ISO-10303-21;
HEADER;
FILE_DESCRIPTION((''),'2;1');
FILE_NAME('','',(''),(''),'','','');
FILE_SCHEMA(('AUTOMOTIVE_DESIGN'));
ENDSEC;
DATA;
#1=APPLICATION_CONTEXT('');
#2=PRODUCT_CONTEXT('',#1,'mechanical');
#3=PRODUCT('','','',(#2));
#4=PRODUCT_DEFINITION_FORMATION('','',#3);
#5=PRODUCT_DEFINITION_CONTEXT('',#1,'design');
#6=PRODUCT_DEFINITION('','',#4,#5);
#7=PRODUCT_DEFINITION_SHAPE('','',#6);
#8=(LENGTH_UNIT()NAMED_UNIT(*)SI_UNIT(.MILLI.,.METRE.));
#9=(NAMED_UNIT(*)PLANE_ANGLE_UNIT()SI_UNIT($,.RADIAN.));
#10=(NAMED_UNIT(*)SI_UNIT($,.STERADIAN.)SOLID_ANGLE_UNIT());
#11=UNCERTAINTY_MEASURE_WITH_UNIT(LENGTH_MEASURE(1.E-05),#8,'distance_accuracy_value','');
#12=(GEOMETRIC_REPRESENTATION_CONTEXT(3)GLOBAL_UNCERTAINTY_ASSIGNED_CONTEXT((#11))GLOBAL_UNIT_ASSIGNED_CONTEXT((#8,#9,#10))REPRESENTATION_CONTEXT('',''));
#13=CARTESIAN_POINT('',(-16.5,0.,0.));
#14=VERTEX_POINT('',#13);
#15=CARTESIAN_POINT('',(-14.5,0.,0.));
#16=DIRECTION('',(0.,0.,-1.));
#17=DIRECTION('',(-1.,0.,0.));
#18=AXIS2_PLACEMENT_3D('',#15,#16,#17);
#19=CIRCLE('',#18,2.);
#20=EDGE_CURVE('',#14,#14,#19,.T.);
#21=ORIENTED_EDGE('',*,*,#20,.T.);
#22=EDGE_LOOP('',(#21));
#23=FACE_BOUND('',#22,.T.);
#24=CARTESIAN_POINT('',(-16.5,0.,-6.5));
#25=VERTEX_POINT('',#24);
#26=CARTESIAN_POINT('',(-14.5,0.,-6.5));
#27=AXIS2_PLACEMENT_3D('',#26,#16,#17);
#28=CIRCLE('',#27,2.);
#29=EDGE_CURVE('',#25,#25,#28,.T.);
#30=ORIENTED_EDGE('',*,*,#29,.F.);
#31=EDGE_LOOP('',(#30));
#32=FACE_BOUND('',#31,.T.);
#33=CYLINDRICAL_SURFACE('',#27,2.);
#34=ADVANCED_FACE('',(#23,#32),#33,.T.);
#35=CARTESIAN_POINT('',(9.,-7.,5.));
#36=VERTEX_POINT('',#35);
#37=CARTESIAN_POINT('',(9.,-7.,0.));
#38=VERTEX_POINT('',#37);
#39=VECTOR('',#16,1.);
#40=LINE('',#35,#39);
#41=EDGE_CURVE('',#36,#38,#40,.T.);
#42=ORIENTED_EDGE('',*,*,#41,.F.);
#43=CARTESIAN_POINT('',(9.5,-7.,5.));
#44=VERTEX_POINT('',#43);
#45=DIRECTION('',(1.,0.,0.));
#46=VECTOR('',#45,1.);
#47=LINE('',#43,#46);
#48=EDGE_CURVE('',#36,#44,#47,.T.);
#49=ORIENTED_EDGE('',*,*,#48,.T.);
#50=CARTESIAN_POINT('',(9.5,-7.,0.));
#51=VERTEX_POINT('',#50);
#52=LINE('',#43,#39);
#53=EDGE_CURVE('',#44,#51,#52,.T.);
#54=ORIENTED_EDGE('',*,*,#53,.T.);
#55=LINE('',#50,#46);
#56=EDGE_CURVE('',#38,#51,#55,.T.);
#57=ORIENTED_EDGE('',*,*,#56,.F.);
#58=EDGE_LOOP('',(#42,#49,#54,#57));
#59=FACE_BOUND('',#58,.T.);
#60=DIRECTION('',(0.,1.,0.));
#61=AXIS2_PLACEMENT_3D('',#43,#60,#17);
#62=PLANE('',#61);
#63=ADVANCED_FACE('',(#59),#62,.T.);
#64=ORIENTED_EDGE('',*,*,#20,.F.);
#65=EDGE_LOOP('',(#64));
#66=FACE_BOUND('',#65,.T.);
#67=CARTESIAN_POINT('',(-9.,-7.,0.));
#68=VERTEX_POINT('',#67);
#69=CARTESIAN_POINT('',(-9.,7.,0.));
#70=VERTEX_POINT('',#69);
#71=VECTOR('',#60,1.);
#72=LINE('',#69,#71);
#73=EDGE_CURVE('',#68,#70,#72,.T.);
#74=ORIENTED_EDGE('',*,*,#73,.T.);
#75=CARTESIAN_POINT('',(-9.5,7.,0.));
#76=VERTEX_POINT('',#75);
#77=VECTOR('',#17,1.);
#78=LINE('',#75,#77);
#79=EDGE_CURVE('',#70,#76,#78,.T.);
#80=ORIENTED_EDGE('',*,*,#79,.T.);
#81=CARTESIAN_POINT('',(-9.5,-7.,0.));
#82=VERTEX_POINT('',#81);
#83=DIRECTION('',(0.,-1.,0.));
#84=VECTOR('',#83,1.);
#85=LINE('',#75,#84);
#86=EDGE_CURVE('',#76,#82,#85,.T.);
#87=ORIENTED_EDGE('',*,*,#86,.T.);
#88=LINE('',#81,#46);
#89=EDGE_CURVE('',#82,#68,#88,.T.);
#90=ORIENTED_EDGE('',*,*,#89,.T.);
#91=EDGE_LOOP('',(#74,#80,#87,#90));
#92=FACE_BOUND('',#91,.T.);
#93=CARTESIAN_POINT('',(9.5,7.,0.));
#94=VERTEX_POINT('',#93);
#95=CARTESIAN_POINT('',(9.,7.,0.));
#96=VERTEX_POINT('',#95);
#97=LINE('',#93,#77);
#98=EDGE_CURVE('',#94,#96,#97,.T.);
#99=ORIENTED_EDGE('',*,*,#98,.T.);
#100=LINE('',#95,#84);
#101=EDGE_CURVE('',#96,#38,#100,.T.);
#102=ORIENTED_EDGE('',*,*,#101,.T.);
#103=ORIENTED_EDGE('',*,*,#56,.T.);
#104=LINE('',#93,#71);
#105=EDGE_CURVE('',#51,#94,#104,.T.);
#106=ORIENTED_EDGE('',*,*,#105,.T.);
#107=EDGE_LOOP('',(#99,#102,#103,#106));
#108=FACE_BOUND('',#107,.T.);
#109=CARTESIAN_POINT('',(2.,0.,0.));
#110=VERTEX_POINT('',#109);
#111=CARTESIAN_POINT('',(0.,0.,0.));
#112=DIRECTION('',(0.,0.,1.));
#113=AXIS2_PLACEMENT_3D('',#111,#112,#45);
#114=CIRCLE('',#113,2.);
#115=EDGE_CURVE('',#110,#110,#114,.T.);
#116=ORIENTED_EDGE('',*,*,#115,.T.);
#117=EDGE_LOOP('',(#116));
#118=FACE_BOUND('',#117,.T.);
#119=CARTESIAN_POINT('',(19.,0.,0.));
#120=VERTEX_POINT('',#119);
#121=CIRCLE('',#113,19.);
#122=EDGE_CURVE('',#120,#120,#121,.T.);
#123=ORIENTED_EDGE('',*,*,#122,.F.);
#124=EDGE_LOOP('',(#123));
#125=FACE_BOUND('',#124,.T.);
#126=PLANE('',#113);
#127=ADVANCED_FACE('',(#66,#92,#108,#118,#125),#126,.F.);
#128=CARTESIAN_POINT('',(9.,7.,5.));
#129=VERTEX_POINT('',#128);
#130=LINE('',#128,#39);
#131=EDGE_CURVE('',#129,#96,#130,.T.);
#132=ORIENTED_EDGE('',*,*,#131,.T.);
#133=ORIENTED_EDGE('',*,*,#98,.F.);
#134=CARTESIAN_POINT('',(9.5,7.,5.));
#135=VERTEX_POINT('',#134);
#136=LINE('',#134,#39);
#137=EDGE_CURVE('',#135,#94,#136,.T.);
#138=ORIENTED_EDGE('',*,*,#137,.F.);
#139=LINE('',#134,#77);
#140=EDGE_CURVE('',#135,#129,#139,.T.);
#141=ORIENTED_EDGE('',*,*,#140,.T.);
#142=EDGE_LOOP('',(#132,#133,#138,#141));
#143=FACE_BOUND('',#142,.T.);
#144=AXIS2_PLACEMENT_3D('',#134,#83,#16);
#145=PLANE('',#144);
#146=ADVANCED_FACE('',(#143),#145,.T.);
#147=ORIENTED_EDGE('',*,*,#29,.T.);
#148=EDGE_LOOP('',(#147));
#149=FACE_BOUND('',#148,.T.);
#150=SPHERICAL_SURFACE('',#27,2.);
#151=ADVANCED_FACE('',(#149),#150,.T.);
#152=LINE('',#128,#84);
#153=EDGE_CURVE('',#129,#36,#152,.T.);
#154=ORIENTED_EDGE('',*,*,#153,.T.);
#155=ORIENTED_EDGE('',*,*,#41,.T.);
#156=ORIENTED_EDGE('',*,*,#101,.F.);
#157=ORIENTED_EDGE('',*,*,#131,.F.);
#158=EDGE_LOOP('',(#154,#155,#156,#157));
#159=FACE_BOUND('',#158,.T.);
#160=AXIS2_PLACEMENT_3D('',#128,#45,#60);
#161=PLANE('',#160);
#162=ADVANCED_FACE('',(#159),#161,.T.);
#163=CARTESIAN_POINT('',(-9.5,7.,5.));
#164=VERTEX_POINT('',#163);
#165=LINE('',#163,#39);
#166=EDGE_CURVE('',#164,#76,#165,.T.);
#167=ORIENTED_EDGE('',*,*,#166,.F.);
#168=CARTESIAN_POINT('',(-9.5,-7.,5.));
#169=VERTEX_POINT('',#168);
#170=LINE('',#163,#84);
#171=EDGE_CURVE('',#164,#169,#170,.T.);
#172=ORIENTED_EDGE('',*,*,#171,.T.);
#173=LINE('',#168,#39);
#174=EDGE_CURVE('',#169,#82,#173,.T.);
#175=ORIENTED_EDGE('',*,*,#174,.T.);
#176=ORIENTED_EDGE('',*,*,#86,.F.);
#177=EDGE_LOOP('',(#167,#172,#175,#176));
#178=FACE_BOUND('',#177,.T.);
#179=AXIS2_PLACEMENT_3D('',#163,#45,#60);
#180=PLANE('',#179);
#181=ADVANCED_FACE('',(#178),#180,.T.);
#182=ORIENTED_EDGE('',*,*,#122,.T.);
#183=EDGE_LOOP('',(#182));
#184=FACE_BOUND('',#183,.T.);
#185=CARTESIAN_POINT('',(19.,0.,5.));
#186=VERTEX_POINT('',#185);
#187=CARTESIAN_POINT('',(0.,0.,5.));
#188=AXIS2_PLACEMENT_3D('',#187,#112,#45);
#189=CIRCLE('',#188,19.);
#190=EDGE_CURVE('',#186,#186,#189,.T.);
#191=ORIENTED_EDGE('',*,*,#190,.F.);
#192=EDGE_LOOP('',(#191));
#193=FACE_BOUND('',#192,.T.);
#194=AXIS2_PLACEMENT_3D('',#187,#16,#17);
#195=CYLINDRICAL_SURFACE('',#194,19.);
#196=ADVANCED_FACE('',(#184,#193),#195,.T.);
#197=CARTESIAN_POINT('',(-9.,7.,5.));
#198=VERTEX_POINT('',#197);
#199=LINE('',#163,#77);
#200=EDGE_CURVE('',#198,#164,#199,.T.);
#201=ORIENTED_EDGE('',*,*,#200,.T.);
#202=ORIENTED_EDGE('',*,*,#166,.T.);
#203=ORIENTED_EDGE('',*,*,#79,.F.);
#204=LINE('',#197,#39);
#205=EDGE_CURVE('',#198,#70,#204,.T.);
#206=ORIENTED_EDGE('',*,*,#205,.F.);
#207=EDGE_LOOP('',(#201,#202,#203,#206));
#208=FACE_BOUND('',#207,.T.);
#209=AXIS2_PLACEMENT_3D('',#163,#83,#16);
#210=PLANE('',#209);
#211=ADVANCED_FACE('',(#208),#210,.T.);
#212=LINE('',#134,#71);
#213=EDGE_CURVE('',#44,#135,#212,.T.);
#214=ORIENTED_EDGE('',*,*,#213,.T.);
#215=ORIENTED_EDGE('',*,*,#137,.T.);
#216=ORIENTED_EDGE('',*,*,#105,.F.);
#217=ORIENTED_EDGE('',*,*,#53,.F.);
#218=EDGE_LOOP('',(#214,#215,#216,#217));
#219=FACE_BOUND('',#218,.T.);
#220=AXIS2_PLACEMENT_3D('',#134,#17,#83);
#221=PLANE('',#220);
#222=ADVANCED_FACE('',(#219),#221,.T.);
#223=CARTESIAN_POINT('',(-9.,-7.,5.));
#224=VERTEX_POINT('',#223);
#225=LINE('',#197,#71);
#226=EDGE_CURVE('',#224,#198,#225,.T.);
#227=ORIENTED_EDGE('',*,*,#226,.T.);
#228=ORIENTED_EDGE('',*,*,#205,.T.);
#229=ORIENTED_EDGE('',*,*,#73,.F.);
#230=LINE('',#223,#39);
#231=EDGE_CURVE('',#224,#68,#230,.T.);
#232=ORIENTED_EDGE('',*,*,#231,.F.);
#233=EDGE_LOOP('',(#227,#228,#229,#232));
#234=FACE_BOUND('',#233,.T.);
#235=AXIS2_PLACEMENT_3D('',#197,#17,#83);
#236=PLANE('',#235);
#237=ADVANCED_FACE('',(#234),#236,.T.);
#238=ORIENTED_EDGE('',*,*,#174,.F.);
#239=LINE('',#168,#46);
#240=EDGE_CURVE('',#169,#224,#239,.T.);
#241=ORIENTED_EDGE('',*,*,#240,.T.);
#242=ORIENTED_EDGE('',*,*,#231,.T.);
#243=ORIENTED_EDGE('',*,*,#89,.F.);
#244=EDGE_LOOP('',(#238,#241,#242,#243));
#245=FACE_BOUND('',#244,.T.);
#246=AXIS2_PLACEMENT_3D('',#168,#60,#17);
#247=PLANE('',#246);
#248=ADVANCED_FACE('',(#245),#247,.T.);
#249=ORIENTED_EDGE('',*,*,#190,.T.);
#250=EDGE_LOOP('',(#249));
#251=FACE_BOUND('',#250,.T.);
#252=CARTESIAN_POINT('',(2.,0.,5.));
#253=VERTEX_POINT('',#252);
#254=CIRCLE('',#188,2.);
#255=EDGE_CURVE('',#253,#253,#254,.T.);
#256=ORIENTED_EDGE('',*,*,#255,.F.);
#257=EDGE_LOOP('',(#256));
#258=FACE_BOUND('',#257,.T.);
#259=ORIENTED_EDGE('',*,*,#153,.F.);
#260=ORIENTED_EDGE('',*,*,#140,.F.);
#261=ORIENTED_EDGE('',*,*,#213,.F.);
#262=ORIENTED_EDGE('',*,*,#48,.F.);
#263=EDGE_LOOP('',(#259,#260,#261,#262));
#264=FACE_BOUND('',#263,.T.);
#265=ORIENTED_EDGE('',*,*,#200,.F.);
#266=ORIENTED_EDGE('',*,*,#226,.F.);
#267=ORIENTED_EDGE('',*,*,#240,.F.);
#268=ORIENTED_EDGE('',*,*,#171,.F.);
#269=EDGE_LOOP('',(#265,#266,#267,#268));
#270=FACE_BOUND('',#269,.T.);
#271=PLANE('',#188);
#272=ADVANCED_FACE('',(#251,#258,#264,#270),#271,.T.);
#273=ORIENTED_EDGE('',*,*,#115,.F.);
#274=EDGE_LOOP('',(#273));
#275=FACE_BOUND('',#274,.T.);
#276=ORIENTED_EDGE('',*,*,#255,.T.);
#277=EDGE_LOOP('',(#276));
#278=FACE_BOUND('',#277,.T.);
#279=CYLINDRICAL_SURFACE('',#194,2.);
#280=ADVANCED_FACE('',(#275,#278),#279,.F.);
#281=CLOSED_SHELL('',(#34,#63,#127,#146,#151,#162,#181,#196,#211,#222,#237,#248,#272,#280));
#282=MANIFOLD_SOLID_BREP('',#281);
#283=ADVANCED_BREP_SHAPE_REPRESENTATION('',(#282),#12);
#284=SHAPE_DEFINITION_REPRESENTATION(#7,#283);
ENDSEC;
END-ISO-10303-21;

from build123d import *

# Parameters (mm, degrees)
SKETCH1_R           = 19
SKETCH1_R_2         = 2
SKETCH1_W           = 0.5
SKETCH1_H           = 14
BOSS_EXTRUDE1_DEPTH = 5


with BuildPart() as part:
    # Sketch1 → Boss-Extrude1 (new body)
    with BuildSketch(Plane.XY):
        Circle(SKETCH1_R)
        Circle(SKETCH1_R_2, mode=Mode.SUBTRACT)
        with Locations((-9.25, 0)):
            Rectangle(SKETCH1_W, SKETCH1_H, mode=Mode.SUBTRACT)
        with Locations((9.25, 0)):
            Rectangle(SKETCH1_W, SKETCH1_H, mode=Mode.SUBTRACT)
    extrude(amount=BOSS_EXTRUDE1_DEPTH)

    # Sketch3 → Revolve1 (revolve)
    with BuildSketch(Plane(origin=(0, 0, 0), x_dir=(1, 0, 0), z_dir=(0, 1, 0))):
        with BuildLine():
            Line((-16.5, 6.5), (-16.5, 0))
            Line((-16.5, 0), (-14.5, 0))
            Line((-14.5, 0), (-14.5, 8.5))
            ThreePointArc((-14.5, 8.5), (-15.914213562, 7.914213562), (-16.5, 6.5))
        make_face()
    revolve(axis=Axis((-14.5, 0, -6.5), (0, 0, 1)))


solid = part.part
